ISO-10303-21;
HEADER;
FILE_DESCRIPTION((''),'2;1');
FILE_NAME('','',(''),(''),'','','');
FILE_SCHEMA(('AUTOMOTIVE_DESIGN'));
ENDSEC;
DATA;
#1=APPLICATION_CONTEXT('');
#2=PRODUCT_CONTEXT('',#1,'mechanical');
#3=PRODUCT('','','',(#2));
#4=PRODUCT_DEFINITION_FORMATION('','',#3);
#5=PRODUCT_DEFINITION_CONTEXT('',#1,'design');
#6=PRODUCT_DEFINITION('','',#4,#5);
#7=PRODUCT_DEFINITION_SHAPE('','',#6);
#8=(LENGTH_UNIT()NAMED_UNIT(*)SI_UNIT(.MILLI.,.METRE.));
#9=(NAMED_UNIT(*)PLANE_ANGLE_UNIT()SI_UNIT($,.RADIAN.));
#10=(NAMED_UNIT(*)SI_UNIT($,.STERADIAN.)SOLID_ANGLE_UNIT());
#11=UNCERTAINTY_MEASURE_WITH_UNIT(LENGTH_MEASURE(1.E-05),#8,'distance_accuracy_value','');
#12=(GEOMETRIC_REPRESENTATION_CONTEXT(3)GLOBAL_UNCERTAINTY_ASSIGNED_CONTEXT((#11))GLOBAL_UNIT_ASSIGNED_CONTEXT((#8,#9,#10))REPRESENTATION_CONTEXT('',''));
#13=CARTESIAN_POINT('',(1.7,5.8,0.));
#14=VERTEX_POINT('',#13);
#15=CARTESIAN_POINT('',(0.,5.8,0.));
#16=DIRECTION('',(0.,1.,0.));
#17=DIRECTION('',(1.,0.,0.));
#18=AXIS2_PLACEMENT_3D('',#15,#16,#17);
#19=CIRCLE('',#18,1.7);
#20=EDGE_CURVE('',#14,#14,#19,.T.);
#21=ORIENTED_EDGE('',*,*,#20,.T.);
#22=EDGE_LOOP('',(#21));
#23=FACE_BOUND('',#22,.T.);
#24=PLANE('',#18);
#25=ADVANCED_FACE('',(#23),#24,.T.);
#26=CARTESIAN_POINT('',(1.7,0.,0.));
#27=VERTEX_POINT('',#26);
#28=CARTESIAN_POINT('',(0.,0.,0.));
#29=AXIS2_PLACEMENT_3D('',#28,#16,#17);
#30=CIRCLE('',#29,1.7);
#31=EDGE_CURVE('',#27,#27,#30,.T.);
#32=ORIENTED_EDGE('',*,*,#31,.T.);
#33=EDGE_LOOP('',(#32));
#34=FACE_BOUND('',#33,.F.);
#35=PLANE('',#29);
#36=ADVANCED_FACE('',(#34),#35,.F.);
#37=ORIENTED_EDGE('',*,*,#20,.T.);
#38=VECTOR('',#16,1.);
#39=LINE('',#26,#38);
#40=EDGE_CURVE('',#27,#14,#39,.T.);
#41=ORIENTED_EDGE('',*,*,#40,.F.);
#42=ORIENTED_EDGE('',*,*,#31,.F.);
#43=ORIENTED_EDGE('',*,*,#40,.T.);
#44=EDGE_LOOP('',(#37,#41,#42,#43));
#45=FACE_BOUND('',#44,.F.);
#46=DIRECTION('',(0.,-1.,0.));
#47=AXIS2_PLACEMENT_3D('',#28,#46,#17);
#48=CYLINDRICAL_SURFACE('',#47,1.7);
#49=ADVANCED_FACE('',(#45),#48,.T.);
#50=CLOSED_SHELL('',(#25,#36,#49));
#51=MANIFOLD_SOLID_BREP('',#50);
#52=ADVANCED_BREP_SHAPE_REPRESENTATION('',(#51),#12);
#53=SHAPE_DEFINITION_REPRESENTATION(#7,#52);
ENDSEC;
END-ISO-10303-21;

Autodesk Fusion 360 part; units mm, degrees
sketch "Sketch1" plane through (0, 0, 0) normal (0, 1, 0) x (1, 0, 0)
  circle A0 centre (0, 0) radius 1.7
  dimension "d1" = 3.4
extrude "Extrude1" add sketch "Sketch1" along normal blind 6
extrude "Extrude2" cut 1 faces at (-0.3785, 6, -0.6303) along direction (0, -1, 0) blind 0.2
